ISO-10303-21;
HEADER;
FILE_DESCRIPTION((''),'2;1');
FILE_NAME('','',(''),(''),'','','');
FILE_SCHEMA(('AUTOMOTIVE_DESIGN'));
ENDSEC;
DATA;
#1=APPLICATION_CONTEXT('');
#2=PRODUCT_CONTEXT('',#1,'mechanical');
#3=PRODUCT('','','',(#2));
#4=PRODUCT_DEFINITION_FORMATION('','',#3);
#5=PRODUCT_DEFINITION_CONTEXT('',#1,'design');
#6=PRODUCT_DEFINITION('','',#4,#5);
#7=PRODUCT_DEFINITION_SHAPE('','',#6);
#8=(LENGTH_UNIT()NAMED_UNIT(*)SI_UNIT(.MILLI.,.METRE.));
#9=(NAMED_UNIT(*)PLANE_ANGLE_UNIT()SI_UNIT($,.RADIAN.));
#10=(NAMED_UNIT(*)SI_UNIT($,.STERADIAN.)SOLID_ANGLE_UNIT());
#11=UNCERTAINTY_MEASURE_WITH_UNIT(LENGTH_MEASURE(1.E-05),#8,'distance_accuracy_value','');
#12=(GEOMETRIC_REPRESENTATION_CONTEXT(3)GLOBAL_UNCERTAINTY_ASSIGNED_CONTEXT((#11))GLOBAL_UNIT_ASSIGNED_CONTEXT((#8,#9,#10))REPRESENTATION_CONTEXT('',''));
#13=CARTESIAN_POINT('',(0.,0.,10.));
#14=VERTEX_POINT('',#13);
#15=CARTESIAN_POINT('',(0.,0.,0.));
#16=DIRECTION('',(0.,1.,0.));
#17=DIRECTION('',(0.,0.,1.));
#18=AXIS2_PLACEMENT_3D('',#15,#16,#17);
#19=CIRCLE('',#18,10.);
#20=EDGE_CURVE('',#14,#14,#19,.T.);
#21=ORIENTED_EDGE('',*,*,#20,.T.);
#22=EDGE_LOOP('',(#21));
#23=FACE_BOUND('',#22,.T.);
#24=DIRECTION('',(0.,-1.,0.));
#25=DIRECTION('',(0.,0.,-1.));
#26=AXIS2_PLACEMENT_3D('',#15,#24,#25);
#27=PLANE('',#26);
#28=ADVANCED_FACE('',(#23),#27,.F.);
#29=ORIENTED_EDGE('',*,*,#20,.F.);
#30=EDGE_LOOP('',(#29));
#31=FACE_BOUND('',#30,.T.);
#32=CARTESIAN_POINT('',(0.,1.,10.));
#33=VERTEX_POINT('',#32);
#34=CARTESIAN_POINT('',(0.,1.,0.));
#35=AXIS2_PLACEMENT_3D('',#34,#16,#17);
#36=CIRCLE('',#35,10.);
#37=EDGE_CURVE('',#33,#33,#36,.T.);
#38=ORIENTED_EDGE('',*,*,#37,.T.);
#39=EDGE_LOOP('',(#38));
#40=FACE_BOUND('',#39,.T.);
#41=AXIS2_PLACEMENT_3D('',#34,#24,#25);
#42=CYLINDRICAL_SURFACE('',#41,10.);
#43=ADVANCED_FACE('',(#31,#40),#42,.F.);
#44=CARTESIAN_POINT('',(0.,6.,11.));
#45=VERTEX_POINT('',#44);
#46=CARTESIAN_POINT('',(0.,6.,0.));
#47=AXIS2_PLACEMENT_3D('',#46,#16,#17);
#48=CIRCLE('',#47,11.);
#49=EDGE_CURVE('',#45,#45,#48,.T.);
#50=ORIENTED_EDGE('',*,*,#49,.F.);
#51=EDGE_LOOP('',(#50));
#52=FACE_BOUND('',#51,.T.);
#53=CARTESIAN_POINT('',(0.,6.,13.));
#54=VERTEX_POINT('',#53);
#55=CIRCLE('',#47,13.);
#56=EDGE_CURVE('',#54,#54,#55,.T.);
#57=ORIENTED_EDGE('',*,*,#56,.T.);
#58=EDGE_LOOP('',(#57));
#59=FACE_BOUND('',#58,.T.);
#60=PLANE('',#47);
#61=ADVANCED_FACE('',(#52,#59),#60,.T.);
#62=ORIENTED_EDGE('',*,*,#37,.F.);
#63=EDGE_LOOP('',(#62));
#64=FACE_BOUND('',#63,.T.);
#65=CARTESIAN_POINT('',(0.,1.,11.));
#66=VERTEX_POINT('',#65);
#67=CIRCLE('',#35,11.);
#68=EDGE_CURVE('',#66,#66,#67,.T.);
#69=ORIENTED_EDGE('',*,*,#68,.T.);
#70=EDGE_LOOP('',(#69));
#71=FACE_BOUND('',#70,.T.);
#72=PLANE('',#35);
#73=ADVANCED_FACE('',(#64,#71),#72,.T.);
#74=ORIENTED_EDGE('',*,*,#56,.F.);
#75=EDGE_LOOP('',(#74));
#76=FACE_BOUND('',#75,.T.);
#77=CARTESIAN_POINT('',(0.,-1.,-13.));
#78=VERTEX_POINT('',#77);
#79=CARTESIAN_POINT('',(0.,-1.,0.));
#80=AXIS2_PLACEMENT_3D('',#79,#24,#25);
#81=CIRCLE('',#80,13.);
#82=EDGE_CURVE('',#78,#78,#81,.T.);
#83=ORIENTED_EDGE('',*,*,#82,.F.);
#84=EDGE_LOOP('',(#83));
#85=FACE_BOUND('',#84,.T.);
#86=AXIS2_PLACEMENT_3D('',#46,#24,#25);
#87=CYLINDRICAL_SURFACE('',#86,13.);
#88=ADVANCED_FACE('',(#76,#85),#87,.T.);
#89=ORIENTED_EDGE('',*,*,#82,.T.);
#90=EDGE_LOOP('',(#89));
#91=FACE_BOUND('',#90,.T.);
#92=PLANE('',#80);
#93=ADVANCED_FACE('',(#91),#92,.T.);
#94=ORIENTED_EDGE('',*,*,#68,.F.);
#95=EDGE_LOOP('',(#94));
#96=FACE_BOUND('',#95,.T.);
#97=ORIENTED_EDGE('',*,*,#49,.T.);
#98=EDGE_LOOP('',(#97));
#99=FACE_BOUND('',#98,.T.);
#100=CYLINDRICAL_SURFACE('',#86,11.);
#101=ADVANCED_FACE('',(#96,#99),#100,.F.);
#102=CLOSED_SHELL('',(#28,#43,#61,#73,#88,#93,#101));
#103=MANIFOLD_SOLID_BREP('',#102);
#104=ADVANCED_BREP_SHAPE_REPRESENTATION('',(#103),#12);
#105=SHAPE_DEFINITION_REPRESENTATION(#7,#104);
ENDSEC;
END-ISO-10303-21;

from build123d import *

# Parameters (mm, degrees)
ESQUISSE1_R        = 13
ESQUISSE1_R_2      = 11
BOSS_EXTRU_1_DEPTH = 6
BOSS_EXTRU_2_START = 1
ESQUISSE2_R        = 13
BOSS_EXTRU_2_DEPTH = 1
ESQUISSE3_R        = 11
ESQUISSE3_R_2      = 10
BOSS_EXTRU_3_DEPTH = 1


with BuildPart() as part:
    # Esquisse1 → Boss.-Extru.1 (new body)
    with BuildSketch(Plane(origin=(0, 0, 0), x_dir=(1, 0, 0), z_dir=(0, 1, 0))):
        with Locations(Location((0, 0, 0), (0, 0, 270))):
            Circle(ESQUISSE1_R)
        with Locations(Location((0, 0, 0), (0, 0, 270))):
            Circle(ESQUISSE1_R_2, mode=Mode.SUBTRACT)
    extrude(amount=BOSS_EXTRU_1_DEPTH)

    # Esquisse2 → Boss.-Extru.2 (add)
    with BuildSketch(Plane.XZ.offset(BOSS_EXTRU_2_START)):
        with Locations(Location((0, 0, 0), (0, 0, 270))):
            Circle(ESQUISSE2_R)
    extrude(amount=-BOSS_EXTRU_2_DEPTH)

    # Esquisse3 → Boss.-Extru.3 (add)
    with BuildSketch(Plane(origin=(0, 0, 0), x_dir=(1, 0, 0), z_dir=(0, 1, 0))):
        with Locations(Location((0, 0, 0), (0, 0, 270))):
            Circle(ESQUISSE3_R)
        with Locations(Location((0, 0, 0), (0, 0, 270))):
            Circle(ESQUISSE3_R_2, mode=Mode.SUBTRACT)
    extrude(amount=BOSS_EXTRU_3_DEPTH)


solid = part.part
